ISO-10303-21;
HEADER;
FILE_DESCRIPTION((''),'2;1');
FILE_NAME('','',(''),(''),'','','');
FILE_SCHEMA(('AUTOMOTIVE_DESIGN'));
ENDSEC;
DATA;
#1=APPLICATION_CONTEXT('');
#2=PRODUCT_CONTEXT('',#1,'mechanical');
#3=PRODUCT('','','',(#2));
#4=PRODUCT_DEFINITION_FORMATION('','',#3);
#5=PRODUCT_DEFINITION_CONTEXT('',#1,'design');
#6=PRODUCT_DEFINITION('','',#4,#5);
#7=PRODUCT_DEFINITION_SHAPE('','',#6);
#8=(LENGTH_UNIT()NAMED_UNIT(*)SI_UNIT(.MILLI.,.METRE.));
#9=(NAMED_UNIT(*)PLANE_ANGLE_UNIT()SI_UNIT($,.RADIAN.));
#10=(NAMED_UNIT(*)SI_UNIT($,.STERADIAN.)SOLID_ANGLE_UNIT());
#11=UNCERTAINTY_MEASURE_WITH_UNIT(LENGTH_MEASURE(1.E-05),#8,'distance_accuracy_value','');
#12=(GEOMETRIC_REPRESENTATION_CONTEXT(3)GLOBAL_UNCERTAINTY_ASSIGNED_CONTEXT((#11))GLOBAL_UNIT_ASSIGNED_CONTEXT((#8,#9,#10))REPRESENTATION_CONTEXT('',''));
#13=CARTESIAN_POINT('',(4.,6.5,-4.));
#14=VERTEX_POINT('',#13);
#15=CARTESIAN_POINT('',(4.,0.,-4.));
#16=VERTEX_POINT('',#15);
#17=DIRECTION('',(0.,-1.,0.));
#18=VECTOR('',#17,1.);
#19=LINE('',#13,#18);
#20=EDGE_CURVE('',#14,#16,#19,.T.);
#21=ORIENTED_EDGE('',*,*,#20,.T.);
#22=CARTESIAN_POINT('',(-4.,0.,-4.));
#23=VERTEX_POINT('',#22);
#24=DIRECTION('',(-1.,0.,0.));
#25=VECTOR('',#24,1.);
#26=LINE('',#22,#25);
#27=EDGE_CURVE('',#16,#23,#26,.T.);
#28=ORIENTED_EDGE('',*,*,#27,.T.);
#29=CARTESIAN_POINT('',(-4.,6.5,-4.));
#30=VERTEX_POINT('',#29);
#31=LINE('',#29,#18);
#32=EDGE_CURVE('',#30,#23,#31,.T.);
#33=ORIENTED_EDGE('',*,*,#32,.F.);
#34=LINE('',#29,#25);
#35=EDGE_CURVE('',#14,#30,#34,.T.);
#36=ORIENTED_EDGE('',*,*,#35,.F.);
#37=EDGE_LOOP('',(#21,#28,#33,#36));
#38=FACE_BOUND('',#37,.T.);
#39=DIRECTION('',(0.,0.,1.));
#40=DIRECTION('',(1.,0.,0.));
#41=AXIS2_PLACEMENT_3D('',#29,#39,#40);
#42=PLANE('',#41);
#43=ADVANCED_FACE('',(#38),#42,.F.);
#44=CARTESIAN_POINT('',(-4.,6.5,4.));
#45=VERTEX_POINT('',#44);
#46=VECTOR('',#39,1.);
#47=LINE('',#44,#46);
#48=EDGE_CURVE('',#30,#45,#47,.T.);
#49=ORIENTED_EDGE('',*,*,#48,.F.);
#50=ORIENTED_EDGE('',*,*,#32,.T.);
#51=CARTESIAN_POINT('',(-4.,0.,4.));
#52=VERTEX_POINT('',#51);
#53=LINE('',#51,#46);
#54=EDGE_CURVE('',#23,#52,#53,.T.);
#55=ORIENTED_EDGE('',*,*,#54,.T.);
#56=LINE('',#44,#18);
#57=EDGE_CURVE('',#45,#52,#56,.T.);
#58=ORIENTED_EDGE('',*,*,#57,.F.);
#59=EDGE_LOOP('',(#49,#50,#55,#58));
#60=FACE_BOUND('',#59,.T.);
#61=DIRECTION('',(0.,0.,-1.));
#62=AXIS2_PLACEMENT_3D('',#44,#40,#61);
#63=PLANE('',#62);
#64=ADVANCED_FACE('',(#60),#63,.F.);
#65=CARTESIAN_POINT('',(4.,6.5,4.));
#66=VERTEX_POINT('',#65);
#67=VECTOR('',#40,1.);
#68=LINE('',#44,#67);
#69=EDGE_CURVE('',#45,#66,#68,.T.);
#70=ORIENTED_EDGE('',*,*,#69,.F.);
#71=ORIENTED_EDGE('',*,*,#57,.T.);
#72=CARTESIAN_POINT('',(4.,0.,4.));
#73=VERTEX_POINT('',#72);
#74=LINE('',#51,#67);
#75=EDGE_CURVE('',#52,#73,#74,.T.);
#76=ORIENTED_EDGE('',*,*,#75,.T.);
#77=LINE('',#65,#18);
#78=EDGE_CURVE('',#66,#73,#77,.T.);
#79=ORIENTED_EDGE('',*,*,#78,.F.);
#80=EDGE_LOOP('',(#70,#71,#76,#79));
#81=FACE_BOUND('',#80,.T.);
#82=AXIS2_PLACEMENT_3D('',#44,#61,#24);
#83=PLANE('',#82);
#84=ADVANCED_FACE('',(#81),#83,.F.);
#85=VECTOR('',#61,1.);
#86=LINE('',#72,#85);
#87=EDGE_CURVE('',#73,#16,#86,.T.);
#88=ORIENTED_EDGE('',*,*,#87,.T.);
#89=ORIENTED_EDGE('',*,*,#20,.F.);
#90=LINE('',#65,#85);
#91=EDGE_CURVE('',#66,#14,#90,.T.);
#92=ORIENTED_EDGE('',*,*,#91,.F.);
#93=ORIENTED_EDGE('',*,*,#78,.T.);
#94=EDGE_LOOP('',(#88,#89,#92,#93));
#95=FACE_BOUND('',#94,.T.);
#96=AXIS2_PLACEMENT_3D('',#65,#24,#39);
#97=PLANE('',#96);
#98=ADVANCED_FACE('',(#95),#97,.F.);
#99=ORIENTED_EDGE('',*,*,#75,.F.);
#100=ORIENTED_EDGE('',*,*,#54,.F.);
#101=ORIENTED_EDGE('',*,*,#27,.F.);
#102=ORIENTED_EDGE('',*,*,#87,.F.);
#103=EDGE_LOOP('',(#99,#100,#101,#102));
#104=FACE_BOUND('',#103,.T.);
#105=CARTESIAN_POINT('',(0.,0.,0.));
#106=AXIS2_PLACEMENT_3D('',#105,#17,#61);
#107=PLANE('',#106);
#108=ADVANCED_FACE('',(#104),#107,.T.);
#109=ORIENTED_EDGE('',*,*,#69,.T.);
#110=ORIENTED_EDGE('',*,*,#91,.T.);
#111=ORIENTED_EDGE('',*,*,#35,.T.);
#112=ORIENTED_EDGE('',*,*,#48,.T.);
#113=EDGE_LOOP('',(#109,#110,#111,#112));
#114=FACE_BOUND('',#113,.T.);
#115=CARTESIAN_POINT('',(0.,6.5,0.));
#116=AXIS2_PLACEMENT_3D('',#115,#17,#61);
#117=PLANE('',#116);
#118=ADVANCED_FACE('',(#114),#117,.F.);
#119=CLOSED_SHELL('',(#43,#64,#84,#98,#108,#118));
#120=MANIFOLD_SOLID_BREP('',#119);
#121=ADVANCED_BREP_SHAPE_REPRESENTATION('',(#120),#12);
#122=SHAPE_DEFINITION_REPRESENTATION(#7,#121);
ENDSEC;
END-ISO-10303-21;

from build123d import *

# Parameters (mm, degrees)
SZKIC1_W                    = 8
SZKIC1_H                    = 8
DODANIE_WYCI_GNI_CIE1_DEPTH = 6.5


with BuildPart() as part:
    # Szkic1 → Dodanie-wyciągnięcie1 (new body)
    with BuildSketch(Plane(origin=(0, 0, 0), x_dir=(1, 0, 0), z_dir=(0, 1, 0))):
        Rectangle(SZKIC1_W, SZKIC1_H)
    extrude(amount=DODANIE_WYCI_GNI_CIE1_DEPTH)


solid = part.part
